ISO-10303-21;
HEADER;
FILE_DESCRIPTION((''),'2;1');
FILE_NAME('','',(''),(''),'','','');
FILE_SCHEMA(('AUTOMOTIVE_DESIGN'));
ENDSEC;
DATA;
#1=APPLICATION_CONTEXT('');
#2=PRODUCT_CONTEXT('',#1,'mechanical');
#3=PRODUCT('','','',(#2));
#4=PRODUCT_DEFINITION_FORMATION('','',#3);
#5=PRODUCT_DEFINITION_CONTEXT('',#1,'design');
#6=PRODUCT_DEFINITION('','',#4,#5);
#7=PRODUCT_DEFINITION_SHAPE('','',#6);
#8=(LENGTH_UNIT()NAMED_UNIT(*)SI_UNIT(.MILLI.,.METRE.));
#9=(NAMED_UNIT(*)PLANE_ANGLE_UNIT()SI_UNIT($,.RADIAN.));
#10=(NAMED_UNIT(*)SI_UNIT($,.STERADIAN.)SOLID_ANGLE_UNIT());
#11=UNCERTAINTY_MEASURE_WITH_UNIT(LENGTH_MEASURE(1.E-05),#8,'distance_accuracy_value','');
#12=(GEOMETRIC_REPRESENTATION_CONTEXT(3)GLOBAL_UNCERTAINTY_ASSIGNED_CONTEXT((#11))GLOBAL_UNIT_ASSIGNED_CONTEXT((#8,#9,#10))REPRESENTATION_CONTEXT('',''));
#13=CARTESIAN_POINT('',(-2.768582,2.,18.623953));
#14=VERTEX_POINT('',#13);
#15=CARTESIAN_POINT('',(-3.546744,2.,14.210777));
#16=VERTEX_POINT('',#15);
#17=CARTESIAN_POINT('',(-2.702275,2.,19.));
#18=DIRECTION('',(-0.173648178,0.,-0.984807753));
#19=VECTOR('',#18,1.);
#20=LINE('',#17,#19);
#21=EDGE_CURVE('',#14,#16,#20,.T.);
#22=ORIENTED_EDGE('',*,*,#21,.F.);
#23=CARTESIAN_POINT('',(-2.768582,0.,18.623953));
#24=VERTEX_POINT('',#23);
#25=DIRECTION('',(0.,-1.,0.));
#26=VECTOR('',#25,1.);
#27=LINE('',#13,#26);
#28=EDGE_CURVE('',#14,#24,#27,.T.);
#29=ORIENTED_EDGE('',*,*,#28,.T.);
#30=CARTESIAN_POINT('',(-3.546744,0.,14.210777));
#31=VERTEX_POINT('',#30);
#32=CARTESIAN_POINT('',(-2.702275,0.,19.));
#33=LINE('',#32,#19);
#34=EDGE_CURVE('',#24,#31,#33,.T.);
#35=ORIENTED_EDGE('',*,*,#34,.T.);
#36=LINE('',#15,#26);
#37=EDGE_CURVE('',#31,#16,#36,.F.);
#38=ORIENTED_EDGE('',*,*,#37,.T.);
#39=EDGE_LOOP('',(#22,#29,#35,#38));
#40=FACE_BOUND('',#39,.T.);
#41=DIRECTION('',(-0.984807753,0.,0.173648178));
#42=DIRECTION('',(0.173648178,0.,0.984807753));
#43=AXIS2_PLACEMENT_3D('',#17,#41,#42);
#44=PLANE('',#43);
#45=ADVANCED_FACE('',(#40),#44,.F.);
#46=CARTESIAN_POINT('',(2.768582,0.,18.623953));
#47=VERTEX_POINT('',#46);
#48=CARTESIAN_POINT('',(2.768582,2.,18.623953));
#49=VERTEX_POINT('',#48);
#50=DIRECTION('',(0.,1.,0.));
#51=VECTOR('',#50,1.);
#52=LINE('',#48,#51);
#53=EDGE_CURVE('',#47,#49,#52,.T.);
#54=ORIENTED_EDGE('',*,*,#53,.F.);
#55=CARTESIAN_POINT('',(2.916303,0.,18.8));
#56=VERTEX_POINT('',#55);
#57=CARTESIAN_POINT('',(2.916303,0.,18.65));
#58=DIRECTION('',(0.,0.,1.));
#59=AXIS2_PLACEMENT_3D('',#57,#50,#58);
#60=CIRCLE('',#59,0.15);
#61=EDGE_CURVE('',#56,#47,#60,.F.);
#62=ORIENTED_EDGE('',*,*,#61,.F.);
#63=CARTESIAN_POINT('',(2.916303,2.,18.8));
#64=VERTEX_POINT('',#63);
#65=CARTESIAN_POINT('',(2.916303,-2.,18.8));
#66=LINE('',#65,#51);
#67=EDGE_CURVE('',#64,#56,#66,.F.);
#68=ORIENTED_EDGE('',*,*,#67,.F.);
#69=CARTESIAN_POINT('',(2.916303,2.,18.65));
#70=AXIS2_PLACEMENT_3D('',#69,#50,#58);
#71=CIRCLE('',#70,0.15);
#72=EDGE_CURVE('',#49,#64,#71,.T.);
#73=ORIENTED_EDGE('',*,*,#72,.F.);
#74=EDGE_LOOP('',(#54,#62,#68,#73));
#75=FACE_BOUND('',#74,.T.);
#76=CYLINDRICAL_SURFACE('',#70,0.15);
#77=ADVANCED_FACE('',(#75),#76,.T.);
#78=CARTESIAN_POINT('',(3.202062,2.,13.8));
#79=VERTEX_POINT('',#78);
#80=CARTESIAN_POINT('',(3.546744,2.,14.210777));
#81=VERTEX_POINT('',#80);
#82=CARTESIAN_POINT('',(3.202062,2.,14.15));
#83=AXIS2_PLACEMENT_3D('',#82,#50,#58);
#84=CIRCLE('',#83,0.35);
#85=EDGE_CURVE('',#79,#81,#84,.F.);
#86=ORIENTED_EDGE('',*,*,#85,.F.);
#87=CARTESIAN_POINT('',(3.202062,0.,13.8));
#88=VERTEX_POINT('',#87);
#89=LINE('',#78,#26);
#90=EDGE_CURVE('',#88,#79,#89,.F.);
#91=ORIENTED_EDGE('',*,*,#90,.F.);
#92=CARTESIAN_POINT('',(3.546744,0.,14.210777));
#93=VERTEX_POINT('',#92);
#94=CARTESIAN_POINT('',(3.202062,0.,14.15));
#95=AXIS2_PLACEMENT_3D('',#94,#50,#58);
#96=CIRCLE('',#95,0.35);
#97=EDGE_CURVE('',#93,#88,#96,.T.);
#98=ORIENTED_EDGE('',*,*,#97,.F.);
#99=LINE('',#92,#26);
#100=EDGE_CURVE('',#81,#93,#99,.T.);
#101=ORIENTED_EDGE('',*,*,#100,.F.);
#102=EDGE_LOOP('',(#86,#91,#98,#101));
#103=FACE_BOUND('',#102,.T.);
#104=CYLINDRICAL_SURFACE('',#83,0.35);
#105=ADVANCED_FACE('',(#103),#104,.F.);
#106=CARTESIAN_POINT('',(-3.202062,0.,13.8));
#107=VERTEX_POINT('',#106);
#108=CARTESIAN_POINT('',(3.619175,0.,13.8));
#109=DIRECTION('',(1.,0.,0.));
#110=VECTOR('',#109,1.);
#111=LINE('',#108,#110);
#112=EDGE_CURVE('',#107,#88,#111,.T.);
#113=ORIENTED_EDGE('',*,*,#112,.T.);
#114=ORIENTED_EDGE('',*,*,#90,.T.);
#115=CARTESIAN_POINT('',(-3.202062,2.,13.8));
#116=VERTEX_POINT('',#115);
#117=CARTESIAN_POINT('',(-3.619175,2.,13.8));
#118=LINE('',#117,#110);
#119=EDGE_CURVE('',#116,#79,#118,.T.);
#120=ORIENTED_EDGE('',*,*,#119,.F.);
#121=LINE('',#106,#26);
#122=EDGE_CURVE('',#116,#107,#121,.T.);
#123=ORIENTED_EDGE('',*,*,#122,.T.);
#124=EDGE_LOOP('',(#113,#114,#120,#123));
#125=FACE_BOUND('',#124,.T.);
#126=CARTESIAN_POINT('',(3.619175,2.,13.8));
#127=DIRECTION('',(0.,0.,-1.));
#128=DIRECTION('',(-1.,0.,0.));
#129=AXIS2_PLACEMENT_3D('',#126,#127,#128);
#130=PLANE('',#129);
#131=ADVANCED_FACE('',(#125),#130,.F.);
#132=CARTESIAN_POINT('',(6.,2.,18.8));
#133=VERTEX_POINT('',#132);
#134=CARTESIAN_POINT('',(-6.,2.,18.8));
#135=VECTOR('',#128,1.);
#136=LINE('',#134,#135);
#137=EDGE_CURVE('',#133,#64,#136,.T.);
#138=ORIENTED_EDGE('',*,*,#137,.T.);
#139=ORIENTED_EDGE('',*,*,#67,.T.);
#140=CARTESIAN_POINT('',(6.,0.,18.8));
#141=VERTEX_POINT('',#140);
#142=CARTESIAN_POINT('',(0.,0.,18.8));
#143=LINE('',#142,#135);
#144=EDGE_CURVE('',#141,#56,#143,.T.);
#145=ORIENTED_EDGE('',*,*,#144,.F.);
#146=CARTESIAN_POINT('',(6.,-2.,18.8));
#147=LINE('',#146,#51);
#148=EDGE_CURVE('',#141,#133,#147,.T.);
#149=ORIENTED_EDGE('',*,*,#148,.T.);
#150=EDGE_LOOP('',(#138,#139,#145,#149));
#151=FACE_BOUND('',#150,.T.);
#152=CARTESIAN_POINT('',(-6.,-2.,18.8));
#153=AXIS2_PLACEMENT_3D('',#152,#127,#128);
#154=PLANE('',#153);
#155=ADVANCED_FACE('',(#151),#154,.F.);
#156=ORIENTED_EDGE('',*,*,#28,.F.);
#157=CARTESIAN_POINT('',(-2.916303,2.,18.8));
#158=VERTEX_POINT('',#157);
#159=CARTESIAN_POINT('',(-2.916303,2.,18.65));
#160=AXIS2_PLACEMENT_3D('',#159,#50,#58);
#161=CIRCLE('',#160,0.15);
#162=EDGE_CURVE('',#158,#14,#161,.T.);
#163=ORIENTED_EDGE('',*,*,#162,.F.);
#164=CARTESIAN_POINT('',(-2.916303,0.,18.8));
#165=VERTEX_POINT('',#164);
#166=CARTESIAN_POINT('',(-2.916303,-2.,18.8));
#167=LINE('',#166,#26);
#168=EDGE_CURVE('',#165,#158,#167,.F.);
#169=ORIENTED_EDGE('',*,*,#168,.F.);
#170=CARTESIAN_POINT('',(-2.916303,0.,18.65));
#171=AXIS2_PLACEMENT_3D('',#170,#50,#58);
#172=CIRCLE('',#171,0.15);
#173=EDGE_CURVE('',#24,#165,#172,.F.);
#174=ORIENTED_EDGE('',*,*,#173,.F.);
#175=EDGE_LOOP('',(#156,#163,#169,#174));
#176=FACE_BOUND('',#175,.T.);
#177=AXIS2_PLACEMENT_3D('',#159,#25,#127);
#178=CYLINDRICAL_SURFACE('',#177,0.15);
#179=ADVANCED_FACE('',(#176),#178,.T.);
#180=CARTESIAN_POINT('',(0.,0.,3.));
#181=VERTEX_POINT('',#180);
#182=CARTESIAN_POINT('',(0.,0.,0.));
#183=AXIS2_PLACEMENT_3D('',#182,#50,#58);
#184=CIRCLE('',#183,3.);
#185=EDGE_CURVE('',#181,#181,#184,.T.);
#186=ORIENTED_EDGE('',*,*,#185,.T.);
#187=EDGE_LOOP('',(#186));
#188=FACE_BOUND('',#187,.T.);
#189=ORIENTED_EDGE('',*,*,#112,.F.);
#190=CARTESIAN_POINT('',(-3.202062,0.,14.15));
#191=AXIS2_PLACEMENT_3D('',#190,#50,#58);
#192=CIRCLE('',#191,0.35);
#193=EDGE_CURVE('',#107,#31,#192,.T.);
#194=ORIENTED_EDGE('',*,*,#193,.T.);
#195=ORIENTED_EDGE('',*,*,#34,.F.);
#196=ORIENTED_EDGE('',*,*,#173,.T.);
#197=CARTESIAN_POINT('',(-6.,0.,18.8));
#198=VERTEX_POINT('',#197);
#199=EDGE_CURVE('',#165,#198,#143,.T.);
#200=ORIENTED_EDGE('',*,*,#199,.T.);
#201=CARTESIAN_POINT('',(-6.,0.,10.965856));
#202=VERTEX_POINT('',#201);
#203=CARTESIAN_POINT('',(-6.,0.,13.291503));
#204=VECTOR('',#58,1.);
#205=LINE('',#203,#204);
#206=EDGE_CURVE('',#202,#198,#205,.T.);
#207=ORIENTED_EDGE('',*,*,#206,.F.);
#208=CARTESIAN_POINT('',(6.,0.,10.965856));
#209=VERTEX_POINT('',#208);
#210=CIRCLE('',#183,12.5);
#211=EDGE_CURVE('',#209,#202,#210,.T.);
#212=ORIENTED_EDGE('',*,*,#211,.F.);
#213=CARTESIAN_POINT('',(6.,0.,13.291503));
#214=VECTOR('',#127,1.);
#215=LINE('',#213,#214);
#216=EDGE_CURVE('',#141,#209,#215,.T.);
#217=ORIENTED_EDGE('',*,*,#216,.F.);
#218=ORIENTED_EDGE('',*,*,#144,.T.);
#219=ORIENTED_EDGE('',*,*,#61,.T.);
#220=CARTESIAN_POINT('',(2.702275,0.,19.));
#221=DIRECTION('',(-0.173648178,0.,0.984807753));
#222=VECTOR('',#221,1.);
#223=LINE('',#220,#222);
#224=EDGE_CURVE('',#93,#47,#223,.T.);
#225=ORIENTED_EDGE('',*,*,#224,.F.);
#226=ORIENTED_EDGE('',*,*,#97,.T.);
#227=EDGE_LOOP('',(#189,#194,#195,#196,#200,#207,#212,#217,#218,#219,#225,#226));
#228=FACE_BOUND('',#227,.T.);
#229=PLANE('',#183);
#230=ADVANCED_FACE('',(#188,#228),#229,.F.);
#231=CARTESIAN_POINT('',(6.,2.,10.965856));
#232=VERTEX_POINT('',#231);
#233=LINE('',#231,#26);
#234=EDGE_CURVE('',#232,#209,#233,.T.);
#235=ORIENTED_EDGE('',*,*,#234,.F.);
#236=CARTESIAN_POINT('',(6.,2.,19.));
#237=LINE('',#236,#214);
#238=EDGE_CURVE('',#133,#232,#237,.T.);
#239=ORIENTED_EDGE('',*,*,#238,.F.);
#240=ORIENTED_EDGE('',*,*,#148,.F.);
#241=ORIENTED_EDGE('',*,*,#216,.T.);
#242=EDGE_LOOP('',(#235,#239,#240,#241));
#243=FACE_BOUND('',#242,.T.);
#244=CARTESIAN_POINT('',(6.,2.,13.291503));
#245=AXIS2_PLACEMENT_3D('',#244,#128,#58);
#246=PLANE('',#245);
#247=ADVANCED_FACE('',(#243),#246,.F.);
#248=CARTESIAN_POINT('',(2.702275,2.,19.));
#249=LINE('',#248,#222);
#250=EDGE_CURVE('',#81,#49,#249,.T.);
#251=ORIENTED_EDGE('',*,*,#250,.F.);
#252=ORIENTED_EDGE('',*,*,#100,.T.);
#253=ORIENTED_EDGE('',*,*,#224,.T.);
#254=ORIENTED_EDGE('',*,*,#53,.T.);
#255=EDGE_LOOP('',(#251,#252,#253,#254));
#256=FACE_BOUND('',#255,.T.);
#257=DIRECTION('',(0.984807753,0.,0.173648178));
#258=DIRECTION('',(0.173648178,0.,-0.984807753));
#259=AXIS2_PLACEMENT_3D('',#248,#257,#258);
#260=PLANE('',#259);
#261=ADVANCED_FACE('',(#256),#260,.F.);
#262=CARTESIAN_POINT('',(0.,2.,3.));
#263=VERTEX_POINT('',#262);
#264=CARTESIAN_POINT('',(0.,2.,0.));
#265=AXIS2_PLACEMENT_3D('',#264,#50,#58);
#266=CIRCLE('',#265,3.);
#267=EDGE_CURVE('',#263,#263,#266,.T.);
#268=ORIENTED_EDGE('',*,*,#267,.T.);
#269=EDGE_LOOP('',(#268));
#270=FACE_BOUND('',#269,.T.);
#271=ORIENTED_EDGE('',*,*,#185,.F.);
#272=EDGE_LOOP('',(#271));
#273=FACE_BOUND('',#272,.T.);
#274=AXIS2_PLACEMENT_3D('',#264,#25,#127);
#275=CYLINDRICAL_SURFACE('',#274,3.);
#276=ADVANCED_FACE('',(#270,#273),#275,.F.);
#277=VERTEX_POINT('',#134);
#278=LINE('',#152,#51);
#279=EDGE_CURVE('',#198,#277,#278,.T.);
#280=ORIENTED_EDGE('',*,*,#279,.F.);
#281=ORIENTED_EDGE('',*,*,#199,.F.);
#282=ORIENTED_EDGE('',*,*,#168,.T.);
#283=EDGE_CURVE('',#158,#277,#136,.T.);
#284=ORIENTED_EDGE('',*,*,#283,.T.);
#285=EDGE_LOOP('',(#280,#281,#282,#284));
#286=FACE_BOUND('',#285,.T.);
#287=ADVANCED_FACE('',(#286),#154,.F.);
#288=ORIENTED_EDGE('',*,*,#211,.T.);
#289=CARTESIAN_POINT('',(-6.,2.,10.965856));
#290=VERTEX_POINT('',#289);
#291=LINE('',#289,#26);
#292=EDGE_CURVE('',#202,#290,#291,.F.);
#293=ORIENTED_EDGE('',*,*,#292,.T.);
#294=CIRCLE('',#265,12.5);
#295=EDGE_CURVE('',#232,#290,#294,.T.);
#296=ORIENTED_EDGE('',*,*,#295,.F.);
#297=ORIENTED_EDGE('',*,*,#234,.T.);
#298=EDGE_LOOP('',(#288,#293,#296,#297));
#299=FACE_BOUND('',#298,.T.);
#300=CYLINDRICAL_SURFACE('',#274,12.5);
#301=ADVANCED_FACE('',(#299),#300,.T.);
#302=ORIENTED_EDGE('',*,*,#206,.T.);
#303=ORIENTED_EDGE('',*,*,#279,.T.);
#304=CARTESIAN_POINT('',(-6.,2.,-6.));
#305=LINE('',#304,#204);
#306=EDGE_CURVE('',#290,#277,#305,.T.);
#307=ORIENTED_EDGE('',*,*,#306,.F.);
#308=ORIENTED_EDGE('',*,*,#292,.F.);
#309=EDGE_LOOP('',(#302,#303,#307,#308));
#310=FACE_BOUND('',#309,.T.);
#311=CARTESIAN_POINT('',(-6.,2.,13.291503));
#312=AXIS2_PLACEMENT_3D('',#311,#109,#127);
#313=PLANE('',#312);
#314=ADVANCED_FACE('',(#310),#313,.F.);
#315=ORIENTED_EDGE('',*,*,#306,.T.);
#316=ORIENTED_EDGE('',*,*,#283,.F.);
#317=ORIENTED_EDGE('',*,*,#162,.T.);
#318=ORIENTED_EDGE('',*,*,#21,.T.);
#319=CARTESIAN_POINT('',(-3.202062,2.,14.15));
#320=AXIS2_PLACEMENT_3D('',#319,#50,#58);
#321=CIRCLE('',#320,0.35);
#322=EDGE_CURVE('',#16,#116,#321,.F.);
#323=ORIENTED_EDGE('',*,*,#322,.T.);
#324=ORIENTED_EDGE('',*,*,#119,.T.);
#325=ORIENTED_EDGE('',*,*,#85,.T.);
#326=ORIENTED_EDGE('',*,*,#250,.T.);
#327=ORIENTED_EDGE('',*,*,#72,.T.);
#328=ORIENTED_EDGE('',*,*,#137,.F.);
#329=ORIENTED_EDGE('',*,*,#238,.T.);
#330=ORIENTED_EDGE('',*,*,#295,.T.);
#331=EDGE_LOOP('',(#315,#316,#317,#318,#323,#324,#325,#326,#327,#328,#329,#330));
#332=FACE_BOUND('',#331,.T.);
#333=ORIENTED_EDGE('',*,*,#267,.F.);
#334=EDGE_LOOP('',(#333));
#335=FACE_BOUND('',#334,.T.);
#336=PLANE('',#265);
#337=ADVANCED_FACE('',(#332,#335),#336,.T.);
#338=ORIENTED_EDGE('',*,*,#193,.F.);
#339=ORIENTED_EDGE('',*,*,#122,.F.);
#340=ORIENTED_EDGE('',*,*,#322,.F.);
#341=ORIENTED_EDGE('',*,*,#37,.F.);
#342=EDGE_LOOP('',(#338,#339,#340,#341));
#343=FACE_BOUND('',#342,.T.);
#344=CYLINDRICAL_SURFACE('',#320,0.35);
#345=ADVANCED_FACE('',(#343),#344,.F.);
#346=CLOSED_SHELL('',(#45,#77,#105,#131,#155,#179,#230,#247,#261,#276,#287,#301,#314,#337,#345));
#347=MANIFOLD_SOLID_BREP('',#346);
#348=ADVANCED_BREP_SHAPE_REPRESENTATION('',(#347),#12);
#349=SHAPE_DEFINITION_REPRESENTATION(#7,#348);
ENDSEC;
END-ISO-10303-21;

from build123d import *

# Parameters (mm, degrees)
SKETCH1_R           = 3
BOSS_EXTRUDE1_DEPTH = 2
SKETCH2_R           = 12.5
SKETCH2_R_2         = 3
BOSS_EXTRUDE2_DEPTH = 2
SKETCH4_W           = 12
SKETCH4_H           = 0.2
CUT_EXTRUDE1_DEPTH  = 4
FILLET3_R           = 0.35
FILLET4_R           = 0.15


with BuildPart() as part:
    # Sketch1 → Boss-Extrude1 (new body)
    with BuildSketch(Plane(origin=(0, 0, 0), x_dir=(1, 0, 0), z_dir=(0, 1, 0))):
        Polygon((-6, 6), (-6, -13.291502622), (-6, -19), (-2.70227506, -19), (-3.619175359, -13.8), (0, -13.8), (3.619175359, -13.8), (2.70227506, -19), (6, -19), (6, -13.291502622), (6, 6), align=None)
        with Locations(Location((0, 0, 0), (0, 0, 270))):
            Circle(SKETCH1_R, mode=Mode.SUBTRACT)
    extrude(amount=BOSS_EXTRUDE1_DEPTH)

    # Sketch2 → Boss-Extrude2 (add)
    with BuildSketch(Plane(origin=(0, 0, 0), x_dir=(1, 0, 0), z_dir=(0, 1, 0))):
        Circle(SKETCH2_R)
        with Locations(Location((0, 0, 0), (0, 0, 270))):
            Circle(SKETCH2_R_2, mode=Mode.SUBTRACT)
    extrude(amount=BOSS_EXTRUDE2_DEPTH)

    # Sketch4 → Cut-Extrude1 (cut)
    with BuildSketch(Plane(origin=(0, 2, 0), x_dir=(1, 0, 0), z_dir=(0, 1, 0))):
        with Locations((0, -18.9)):
            Rectangle(SKETCH4_W, SKETCH4_H)
    extrude(amount=-CUT_EXTRUDE1_DEPTH, mode=Mode.SUBTRACT)

    # Fillet3
    fillet3_edges = [part.edges().sort_by_distance(p)[0] for p in [
        (3.619175359, 1, 13.8),
        (-3.619175359, 1, 13.8),
    ]]
    fillet(fillet3_edges, radius=FILLET3_R)

    # Fillet4
    fillet4_edges = [part.edges().sort_by_distance(p)[0] for p in [
        (2.737540456, 1, 18.8),
        (-2.737540456, 1, 18.8),
    ]]
    fillet(fillet4_edges, radius=FILLET4_R)


solid = part.part
